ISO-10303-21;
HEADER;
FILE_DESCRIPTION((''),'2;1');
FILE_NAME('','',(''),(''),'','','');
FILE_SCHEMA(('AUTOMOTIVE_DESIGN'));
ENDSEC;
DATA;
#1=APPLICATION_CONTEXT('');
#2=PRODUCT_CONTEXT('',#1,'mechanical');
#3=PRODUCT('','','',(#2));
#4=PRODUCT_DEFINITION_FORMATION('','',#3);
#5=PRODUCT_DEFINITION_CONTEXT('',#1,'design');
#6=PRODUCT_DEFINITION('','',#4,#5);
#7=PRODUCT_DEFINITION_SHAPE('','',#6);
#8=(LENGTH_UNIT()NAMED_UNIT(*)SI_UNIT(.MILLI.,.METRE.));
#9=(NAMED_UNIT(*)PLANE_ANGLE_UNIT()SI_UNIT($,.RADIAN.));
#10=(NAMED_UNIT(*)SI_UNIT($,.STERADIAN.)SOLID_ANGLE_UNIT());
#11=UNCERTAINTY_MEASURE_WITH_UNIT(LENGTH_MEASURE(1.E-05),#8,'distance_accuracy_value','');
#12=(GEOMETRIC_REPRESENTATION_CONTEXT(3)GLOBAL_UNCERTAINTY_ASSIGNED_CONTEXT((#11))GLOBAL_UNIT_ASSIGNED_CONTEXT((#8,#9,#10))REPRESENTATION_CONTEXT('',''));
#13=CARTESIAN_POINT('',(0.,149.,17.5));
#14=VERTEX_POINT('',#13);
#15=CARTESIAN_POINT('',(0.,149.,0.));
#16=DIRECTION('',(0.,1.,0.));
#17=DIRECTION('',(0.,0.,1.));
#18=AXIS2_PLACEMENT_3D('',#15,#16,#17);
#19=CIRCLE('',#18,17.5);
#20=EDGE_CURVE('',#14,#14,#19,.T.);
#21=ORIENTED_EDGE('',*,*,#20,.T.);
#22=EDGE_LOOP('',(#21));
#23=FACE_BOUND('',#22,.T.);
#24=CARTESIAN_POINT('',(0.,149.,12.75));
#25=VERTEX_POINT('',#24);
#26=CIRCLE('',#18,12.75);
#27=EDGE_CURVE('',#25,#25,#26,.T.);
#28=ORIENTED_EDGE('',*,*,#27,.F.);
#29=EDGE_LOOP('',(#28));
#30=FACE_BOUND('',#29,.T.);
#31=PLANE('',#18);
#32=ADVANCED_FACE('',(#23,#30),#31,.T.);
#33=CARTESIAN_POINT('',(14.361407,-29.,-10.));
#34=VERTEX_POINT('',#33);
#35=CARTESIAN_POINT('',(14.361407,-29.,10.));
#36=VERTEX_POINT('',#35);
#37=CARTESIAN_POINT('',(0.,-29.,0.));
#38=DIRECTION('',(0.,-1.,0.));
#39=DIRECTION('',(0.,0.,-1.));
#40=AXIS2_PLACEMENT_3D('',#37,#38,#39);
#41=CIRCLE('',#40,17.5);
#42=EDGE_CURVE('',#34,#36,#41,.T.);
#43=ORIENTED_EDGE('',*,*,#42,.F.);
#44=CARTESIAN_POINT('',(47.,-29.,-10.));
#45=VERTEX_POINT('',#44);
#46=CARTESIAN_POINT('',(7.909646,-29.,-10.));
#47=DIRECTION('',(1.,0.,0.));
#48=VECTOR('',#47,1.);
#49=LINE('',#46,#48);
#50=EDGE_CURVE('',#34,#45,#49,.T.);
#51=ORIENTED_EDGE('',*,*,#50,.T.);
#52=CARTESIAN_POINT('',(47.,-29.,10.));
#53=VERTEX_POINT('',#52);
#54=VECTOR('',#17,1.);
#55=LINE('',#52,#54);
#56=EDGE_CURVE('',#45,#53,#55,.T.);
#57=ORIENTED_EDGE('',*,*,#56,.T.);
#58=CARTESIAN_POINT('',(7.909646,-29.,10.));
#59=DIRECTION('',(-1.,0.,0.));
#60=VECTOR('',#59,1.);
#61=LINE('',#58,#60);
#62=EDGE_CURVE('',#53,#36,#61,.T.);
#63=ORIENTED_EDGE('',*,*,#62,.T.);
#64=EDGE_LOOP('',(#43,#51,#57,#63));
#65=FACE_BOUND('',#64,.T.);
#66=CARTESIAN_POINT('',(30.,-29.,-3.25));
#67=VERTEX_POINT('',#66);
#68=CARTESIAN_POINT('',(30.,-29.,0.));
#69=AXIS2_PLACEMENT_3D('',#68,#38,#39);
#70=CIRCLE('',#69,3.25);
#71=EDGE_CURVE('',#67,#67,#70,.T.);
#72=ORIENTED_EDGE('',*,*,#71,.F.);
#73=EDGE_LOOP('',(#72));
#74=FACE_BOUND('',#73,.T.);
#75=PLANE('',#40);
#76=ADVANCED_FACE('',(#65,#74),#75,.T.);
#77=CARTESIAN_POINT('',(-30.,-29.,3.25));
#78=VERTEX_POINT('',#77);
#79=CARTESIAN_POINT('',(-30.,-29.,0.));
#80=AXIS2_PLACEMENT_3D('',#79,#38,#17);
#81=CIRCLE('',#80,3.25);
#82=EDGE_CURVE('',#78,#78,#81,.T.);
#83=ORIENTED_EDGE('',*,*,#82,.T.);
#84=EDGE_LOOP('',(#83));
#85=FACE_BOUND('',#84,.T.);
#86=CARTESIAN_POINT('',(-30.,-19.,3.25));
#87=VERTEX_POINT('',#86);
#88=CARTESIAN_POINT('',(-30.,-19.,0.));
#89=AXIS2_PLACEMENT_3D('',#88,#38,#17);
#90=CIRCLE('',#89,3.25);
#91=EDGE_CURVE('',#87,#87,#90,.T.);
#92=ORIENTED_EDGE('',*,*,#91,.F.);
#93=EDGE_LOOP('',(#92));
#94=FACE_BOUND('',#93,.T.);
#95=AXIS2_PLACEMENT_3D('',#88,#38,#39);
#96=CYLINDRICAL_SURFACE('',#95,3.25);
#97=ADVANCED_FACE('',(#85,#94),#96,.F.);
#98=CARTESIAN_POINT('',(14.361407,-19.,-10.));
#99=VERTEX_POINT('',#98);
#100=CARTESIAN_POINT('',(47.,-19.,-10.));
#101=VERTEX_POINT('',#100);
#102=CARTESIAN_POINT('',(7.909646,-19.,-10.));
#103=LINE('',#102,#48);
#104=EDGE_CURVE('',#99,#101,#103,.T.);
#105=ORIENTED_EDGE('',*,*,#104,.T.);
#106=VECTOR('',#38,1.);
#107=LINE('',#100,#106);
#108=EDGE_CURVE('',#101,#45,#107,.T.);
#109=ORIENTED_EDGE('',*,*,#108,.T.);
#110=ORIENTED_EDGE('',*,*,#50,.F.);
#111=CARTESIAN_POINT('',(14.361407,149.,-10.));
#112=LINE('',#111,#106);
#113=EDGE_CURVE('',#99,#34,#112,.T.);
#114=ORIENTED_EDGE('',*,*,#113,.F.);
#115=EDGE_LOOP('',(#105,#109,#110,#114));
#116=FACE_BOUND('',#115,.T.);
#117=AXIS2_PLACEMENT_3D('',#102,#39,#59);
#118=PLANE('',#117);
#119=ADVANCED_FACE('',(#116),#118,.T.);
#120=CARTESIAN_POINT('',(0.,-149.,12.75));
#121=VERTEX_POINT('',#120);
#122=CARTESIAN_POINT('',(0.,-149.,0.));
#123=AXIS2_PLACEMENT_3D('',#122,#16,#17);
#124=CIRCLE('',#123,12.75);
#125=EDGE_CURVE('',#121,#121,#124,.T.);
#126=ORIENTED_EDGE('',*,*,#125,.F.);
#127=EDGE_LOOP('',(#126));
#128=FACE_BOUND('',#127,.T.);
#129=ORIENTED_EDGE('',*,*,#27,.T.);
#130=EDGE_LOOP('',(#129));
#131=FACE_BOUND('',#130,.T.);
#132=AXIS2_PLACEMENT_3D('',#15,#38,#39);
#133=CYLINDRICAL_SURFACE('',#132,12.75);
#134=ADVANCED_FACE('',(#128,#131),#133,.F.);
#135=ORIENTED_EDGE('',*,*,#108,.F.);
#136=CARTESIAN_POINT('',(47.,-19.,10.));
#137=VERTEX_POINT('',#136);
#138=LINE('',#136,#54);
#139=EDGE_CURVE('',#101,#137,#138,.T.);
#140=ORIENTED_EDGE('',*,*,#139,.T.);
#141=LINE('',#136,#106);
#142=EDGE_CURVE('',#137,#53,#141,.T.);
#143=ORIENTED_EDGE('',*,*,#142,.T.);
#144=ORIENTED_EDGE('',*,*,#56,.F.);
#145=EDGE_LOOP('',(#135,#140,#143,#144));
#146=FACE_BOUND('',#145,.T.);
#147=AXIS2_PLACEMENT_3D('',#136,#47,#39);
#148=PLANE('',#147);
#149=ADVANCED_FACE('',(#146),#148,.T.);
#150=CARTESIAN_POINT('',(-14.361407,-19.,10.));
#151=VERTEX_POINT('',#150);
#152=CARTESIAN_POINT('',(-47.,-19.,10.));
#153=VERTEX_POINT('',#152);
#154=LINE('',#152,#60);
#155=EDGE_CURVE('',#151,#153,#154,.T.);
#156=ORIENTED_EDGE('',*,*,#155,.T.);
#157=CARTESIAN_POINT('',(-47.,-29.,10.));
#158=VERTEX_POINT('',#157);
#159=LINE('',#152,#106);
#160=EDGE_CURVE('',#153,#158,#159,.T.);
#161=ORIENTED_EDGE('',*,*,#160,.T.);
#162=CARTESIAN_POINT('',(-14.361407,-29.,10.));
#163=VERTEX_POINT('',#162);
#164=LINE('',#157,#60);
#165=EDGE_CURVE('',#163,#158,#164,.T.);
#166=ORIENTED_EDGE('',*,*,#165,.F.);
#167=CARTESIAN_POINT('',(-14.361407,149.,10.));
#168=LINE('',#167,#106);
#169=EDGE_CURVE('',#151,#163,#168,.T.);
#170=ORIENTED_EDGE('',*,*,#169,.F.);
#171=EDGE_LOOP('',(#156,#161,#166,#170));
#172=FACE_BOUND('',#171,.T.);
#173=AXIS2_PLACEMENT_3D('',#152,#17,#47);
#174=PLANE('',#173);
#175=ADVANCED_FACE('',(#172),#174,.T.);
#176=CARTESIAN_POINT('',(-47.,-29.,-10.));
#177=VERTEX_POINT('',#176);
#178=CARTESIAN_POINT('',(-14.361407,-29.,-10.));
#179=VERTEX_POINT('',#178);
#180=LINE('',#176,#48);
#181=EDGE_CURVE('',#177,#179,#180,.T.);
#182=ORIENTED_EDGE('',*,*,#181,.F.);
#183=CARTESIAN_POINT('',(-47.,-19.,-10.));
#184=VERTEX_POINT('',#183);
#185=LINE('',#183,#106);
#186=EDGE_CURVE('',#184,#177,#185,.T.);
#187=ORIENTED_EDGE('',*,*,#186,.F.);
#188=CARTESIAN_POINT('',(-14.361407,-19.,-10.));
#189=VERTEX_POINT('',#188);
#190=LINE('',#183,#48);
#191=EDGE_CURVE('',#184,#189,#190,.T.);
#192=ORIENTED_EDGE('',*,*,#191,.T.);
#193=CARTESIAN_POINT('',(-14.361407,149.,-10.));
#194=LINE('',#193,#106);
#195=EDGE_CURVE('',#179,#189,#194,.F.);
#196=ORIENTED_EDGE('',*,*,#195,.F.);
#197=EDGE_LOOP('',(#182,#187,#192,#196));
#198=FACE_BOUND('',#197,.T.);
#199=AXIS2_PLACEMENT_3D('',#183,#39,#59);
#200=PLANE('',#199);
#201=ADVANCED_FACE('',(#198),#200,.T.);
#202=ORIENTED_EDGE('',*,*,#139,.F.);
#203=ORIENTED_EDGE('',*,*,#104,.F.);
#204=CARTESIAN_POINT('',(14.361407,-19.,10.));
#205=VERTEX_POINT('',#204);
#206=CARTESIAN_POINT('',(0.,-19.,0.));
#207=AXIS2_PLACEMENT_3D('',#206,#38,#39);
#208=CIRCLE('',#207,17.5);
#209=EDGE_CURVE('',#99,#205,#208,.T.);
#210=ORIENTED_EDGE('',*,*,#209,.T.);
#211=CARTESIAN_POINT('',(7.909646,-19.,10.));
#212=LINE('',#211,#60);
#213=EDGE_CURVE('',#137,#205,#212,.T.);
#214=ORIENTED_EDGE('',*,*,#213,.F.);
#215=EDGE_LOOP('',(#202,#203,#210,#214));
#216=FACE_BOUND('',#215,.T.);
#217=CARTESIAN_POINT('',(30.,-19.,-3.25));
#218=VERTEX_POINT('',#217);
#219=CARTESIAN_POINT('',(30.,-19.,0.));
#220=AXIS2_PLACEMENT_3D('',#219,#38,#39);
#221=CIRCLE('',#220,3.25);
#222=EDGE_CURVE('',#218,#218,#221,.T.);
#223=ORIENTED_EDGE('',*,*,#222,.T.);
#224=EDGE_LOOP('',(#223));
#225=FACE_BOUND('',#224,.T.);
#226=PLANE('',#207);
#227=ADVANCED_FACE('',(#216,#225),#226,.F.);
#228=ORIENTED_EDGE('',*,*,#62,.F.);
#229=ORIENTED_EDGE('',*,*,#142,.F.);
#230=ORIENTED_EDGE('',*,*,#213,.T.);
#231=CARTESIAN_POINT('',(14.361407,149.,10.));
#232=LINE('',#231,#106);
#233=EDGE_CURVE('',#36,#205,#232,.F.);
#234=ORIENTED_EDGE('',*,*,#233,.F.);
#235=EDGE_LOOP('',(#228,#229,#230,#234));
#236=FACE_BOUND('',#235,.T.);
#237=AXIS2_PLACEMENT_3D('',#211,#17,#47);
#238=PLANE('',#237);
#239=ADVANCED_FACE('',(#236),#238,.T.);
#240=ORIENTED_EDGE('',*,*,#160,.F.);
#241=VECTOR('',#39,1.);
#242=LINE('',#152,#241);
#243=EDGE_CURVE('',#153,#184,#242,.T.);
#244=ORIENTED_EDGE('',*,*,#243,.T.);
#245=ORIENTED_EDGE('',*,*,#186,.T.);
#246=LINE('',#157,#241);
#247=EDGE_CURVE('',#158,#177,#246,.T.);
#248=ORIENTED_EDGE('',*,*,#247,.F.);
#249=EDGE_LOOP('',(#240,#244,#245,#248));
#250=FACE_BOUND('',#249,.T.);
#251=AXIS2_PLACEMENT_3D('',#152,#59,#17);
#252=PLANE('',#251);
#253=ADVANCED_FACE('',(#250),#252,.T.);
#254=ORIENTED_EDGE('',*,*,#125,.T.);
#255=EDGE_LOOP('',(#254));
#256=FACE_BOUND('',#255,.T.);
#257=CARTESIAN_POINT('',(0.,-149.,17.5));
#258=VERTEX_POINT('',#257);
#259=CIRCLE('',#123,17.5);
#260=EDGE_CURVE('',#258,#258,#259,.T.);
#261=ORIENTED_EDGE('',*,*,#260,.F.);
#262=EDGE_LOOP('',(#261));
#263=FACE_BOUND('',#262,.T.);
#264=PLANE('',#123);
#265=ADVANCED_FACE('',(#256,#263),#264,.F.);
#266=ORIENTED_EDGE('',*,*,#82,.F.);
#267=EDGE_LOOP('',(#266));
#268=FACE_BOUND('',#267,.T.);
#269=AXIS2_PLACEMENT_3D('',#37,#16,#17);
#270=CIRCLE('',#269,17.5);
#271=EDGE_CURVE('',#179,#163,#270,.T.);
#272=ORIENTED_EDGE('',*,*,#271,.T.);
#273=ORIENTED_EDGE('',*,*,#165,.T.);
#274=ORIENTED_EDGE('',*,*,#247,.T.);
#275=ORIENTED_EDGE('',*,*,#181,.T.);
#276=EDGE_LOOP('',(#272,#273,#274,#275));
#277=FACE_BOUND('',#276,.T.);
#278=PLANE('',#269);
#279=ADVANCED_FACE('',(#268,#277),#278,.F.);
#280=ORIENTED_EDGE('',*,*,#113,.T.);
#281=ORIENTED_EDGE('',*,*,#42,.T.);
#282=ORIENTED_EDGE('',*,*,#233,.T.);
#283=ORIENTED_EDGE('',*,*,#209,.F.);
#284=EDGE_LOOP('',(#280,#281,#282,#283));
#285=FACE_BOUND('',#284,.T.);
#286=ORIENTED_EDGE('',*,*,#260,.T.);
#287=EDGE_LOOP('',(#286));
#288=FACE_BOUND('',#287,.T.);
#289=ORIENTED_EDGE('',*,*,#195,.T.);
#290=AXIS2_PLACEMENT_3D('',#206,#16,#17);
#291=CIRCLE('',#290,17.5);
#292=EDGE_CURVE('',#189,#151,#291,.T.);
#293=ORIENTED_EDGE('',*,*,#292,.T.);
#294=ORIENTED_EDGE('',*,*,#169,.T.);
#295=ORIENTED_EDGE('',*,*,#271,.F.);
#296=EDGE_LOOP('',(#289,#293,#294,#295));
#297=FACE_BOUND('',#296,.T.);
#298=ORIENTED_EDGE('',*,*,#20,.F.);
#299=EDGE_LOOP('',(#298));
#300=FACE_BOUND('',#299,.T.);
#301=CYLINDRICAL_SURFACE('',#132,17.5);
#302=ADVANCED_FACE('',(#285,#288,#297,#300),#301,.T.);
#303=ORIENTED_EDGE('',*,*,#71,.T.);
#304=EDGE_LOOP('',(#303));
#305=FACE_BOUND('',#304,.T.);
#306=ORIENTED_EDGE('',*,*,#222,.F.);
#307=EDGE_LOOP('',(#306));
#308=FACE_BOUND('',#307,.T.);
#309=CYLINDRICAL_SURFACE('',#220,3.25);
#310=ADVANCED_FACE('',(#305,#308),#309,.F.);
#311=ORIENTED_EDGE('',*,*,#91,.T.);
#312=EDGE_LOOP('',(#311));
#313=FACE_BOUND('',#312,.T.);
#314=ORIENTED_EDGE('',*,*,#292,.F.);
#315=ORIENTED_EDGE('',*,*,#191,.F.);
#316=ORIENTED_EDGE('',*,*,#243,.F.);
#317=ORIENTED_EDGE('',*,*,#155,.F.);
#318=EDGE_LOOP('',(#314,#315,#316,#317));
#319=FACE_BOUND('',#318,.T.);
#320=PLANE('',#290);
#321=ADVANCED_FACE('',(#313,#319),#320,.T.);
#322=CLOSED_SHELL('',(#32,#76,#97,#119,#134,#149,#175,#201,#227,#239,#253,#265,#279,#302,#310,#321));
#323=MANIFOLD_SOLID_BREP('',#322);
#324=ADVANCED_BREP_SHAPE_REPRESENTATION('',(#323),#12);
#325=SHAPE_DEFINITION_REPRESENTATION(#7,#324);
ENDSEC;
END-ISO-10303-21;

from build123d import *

# Parameters (mm, degrees)
SKETCH1_R           = 17.5
SKETCH1_R_2         = 12.75
BOSS_EXTRUDE1_DEPTH = 149
SKETCH3_R           = 3.25
BOSS_EXTRUDE2_DEPTH = 10


with BuildPart() as part:
    # Sketch1 → Boss-Extrude1 (new body, symmetric)
    with BuildSketch(Plane(origin=(0, 0, 0), x_dir=(1, 0, 0), z_dir=(0, 1, 0))):
        Circle(SKETCH1_R)
        Circle(SKETCH1_R_2, mode=Mode.SUBTRACT)
    extrude(amount=BOSS_EXTRUDE1_DEPTH, both=True)

    # Sketch3 → Boss-Extrude2 (add)
    with BuildSketch(Plane(origin=(0, -29, 0), x_dir=(-1, 0, 0), z_dir=(0, -1, 0))):
        with BuildLine():
            Line((47, -10), (7.90964601, -10))
            ThreePointArc((7.90964601, -10), (12.75, 0), (7.90964601, 10))
            Line((7.90964601, 10), (47, 10))
            Line((47, 10), (47, -10))
        make_face()
        with Locations((30, 0)):
            Circle(SKETCH3_R, mode=Mode.SUBTRACT)
        with BuildLine():
            Line((-47, -10), (-47, 10))
            Line((-47, 10), (-7.90964601, 10))
            ThreePointArc((-7.90964601, 10), (-12.75, 0), (-7.90964601, -10))
            Line((-7.90964601, -10), (-47, -10))
        make_face()
        with Locations((-30, 0)):
            Circle(SKETCH3_R, mode=Mode.SUBTRACT)
    extrude(amount=-BOSS_EXTRUDE2_DEPTH)


solid = part.part
